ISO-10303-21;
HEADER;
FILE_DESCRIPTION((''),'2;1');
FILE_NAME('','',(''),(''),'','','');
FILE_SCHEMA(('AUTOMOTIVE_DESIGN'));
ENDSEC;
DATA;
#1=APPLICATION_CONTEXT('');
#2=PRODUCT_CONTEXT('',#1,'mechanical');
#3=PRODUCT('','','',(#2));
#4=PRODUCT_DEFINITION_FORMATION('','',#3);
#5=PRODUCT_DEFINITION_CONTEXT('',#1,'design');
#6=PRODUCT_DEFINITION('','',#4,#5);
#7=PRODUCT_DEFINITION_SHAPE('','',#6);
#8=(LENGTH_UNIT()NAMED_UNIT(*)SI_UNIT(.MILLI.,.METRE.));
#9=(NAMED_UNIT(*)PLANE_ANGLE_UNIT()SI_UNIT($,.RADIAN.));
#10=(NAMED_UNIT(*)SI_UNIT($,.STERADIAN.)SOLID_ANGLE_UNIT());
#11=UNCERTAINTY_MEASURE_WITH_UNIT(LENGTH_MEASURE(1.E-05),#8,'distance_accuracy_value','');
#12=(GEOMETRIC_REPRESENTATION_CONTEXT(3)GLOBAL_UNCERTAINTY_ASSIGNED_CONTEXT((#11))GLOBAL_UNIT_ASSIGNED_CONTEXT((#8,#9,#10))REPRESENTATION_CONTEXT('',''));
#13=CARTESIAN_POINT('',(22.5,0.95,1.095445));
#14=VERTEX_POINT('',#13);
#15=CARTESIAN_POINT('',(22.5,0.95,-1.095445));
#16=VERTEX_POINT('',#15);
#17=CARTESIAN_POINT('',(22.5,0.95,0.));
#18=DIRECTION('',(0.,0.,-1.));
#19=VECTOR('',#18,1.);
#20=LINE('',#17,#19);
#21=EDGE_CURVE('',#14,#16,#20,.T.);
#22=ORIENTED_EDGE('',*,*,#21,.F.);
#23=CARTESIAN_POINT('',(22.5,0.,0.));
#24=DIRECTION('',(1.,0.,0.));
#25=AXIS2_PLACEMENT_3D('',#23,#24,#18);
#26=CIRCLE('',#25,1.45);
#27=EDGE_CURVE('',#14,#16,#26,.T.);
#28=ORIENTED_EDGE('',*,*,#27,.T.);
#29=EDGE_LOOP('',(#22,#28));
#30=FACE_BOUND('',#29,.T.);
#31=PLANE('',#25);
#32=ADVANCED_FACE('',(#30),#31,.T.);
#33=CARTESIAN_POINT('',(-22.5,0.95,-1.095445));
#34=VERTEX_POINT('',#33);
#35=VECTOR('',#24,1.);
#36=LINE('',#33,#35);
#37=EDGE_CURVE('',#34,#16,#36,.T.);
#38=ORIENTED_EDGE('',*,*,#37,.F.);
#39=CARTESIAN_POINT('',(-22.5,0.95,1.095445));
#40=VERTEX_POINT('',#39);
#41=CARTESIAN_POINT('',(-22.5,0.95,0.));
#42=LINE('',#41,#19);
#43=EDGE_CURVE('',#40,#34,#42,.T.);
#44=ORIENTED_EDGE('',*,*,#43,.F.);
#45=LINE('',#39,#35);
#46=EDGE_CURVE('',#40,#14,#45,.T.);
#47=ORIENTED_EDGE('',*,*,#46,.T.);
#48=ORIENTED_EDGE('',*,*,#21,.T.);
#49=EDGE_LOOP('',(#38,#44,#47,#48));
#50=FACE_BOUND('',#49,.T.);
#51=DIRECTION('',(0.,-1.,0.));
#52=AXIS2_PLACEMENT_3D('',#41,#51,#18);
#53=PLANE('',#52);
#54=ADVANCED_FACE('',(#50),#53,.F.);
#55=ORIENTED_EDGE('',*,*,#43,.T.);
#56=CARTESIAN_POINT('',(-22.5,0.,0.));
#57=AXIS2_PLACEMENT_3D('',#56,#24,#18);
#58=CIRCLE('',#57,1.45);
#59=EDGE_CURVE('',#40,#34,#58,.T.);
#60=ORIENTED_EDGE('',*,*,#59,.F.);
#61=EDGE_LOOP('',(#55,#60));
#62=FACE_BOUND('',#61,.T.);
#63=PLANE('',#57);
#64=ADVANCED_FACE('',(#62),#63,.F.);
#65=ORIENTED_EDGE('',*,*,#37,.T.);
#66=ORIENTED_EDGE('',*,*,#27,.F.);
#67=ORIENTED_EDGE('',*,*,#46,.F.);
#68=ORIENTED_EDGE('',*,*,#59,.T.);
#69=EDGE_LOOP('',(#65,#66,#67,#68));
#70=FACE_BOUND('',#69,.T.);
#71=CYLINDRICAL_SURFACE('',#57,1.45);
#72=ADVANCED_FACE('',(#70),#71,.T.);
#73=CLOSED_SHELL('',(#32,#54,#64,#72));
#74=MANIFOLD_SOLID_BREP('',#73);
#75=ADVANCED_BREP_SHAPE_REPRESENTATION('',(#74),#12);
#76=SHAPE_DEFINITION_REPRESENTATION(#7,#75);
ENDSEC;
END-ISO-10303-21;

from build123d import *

# Parameters (mm, degrees)
BOSS_EXTRUDE1_DEPTH      = 22.5
BOSS_EXTRUDE1_DEPTH_BACK = 22.5


with BuildPart() as part:
    # Sketch1 → Boss-Extrude1 (new, two sides: drawn at the far end of the back side and taken through both)
    with BuildSketch(Plane(origin=(0, 0, 0), x_dir=(0, 0, -1), z_dir=(1, 0, 0)).offset(-BOSS_EXTRUDE1_DEPTH_BACK)):
        with BuildLine():
            ThreePointArc((-1.095445115, 0.95), (0, -1.45), (1.095445115, 0.95))
            Line((1.095445115, 0.95), (-1.095445115, 0.95))
        make_face()
    extrude(amount=BOSS_EXTRUDE1_DEPTH + BOSS_EXTRUDE1_DEPTH_BACK)


solid = part.part
